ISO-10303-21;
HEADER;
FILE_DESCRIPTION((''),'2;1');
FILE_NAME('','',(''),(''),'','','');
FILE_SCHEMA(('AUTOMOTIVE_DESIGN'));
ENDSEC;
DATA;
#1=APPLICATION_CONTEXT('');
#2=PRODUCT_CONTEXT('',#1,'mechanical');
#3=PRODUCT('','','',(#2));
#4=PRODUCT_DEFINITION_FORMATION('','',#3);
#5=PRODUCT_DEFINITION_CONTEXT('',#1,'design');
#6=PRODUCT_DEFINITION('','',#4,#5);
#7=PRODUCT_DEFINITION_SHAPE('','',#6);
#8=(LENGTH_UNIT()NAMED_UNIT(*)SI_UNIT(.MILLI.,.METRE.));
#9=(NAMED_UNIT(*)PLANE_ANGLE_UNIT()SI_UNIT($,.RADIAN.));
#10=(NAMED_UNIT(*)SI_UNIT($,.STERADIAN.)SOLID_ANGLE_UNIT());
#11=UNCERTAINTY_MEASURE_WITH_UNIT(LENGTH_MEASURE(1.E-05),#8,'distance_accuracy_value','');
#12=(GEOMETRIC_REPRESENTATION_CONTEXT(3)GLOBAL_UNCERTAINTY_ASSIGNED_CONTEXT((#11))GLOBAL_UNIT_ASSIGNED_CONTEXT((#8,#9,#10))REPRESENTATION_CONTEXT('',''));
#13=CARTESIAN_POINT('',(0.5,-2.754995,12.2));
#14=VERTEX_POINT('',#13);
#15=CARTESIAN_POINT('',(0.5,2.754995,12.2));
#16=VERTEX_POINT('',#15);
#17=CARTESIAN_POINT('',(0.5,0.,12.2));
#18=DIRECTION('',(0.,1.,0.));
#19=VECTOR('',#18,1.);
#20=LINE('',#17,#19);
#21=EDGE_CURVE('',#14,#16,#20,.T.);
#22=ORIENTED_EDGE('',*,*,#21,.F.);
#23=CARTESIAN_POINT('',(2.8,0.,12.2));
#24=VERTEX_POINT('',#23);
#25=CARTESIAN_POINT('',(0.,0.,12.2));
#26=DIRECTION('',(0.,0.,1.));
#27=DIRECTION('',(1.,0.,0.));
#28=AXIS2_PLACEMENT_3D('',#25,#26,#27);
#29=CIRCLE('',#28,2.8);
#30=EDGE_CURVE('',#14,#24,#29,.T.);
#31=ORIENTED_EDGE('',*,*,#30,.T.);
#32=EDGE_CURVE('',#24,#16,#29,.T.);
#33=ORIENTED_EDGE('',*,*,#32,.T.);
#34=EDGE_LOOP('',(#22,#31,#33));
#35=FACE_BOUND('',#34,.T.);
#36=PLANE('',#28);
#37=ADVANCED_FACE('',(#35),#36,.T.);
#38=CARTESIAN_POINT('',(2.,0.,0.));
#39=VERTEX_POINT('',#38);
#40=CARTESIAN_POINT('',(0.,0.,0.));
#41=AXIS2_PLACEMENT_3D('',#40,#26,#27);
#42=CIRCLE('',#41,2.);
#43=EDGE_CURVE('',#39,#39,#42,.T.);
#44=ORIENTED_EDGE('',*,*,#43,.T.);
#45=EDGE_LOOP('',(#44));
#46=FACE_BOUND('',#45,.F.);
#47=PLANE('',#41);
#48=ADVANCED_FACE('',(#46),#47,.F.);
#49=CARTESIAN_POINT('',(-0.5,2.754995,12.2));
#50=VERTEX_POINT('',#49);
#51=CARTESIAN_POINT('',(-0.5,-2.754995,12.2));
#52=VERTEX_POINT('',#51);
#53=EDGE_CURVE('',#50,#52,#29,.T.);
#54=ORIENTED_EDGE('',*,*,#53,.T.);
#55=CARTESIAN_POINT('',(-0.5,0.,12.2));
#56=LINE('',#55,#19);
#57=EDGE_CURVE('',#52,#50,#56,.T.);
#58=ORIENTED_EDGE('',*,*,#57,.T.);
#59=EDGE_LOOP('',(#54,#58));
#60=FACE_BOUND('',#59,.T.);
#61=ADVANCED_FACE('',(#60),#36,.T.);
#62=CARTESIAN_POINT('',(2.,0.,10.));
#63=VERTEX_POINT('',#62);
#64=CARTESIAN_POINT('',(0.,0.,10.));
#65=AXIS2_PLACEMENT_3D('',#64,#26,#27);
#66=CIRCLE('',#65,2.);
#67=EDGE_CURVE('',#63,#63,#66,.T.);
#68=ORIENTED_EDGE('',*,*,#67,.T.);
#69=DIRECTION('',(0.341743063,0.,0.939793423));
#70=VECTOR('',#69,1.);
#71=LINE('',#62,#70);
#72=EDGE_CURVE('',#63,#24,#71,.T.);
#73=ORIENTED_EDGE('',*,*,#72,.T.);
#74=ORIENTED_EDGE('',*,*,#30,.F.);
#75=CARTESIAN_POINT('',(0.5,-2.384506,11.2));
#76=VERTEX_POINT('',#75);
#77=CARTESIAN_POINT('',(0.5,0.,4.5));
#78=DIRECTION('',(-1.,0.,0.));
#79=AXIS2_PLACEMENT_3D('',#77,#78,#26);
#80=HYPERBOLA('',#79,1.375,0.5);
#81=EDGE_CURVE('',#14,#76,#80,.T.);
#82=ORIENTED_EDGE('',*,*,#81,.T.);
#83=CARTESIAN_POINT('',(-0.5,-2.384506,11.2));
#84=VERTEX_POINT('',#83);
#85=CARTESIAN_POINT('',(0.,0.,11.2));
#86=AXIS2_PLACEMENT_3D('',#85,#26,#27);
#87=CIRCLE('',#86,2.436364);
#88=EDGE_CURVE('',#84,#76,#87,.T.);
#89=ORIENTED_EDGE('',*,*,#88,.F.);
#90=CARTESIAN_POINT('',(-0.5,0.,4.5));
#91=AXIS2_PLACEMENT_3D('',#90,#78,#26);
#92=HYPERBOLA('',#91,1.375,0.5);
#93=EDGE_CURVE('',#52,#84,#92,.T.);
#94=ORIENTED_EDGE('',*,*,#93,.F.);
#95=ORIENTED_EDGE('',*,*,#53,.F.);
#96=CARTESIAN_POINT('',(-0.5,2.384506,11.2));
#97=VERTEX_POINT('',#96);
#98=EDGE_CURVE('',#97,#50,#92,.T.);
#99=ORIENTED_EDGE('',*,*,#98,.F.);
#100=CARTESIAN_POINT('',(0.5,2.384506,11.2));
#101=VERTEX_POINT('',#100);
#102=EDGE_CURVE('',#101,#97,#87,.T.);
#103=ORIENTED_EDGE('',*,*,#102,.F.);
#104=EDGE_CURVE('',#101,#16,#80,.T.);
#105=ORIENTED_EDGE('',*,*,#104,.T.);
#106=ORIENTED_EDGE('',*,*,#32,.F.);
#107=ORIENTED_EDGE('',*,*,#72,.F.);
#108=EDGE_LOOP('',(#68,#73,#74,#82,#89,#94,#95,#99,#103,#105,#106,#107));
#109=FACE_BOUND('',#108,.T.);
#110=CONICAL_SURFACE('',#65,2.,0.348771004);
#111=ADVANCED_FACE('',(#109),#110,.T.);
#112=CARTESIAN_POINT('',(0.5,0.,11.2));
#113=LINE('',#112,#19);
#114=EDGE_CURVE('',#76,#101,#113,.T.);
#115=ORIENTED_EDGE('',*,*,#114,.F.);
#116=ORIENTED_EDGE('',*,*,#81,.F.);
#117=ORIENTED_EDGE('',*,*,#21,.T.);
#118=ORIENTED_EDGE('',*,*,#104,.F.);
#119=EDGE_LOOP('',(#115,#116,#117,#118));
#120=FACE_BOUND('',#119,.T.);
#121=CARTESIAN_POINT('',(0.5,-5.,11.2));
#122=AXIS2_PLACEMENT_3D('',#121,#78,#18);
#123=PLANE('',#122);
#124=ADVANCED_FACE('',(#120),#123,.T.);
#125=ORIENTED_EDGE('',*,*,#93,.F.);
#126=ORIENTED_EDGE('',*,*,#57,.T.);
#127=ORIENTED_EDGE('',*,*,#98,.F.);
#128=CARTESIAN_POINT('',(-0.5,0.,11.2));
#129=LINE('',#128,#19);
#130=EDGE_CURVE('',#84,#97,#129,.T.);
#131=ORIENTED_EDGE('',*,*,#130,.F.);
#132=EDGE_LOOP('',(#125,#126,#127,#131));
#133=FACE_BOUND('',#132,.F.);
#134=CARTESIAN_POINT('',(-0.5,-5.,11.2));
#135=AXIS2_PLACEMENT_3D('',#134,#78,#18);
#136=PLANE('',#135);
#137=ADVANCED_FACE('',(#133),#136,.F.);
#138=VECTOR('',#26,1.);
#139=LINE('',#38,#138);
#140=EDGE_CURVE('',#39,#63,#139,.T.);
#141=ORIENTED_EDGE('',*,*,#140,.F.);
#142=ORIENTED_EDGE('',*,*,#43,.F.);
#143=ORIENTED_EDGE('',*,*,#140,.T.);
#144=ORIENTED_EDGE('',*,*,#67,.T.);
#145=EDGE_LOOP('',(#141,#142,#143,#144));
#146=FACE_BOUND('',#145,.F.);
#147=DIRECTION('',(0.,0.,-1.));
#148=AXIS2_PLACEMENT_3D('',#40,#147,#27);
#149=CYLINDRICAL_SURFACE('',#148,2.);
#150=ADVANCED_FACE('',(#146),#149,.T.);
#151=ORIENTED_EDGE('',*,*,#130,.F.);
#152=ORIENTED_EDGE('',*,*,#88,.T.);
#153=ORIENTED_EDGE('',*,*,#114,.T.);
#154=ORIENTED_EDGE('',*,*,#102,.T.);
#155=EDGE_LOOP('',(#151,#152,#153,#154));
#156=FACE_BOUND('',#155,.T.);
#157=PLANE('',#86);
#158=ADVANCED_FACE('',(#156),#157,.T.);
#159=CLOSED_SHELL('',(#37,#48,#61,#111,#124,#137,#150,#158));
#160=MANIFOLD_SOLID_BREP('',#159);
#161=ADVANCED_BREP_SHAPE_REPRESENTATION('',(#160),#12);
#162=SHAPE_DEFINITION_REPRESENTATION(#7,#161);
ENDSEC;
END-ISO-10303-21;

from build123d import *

# Parameters (mm, degrees)
BOX_W          = 1
BOX_H          = 10
BOX_DEPTH      = 1
CYLINDER_R     = 2
CYLINDER_DEPTH = 10


with BuildPart() as ranura:
    # Box → Box (new body)
    with BuildSketch(Plane(origin=(-0.5, -5, 11.2), x_dir=(1, 0, 0), z_dir=(0, 0, 1))):
        with Locations((0.5, 5)):
            Rectangle(BOX_W, BOX_H)
    extrude(amount=BOX_DEPTH)


with BuildPart() as ca_a:
    # Cylinder → Cylinder (new body)
    with BuildSketch(Plane.XY):
        Circle(CYLINDER_R)
    extrude(amount=CYLINDER_DEPTH)


with BuildPart() as tornillo_cortado:
    # Cone → Cone (revolve)
    with BuildSketch(Plane(origin=(0, 0, 10), x_dir=(1, 0, 0), z_dir=(0, -1, 0))):
        Polygon((0, 0), (2, 0), (2.8, 2.2), (0, 2.2), align=None)
    revolve(axis=Axis((0, 0, 10), (0, 0, 1)))

    # Fusion: union Caña
    add(ca_a.part)

    # Cut: cut Ranura
    add(ranura.part, mode=Mode.SUBTRACT)


solid = tornillo_cortado.part
